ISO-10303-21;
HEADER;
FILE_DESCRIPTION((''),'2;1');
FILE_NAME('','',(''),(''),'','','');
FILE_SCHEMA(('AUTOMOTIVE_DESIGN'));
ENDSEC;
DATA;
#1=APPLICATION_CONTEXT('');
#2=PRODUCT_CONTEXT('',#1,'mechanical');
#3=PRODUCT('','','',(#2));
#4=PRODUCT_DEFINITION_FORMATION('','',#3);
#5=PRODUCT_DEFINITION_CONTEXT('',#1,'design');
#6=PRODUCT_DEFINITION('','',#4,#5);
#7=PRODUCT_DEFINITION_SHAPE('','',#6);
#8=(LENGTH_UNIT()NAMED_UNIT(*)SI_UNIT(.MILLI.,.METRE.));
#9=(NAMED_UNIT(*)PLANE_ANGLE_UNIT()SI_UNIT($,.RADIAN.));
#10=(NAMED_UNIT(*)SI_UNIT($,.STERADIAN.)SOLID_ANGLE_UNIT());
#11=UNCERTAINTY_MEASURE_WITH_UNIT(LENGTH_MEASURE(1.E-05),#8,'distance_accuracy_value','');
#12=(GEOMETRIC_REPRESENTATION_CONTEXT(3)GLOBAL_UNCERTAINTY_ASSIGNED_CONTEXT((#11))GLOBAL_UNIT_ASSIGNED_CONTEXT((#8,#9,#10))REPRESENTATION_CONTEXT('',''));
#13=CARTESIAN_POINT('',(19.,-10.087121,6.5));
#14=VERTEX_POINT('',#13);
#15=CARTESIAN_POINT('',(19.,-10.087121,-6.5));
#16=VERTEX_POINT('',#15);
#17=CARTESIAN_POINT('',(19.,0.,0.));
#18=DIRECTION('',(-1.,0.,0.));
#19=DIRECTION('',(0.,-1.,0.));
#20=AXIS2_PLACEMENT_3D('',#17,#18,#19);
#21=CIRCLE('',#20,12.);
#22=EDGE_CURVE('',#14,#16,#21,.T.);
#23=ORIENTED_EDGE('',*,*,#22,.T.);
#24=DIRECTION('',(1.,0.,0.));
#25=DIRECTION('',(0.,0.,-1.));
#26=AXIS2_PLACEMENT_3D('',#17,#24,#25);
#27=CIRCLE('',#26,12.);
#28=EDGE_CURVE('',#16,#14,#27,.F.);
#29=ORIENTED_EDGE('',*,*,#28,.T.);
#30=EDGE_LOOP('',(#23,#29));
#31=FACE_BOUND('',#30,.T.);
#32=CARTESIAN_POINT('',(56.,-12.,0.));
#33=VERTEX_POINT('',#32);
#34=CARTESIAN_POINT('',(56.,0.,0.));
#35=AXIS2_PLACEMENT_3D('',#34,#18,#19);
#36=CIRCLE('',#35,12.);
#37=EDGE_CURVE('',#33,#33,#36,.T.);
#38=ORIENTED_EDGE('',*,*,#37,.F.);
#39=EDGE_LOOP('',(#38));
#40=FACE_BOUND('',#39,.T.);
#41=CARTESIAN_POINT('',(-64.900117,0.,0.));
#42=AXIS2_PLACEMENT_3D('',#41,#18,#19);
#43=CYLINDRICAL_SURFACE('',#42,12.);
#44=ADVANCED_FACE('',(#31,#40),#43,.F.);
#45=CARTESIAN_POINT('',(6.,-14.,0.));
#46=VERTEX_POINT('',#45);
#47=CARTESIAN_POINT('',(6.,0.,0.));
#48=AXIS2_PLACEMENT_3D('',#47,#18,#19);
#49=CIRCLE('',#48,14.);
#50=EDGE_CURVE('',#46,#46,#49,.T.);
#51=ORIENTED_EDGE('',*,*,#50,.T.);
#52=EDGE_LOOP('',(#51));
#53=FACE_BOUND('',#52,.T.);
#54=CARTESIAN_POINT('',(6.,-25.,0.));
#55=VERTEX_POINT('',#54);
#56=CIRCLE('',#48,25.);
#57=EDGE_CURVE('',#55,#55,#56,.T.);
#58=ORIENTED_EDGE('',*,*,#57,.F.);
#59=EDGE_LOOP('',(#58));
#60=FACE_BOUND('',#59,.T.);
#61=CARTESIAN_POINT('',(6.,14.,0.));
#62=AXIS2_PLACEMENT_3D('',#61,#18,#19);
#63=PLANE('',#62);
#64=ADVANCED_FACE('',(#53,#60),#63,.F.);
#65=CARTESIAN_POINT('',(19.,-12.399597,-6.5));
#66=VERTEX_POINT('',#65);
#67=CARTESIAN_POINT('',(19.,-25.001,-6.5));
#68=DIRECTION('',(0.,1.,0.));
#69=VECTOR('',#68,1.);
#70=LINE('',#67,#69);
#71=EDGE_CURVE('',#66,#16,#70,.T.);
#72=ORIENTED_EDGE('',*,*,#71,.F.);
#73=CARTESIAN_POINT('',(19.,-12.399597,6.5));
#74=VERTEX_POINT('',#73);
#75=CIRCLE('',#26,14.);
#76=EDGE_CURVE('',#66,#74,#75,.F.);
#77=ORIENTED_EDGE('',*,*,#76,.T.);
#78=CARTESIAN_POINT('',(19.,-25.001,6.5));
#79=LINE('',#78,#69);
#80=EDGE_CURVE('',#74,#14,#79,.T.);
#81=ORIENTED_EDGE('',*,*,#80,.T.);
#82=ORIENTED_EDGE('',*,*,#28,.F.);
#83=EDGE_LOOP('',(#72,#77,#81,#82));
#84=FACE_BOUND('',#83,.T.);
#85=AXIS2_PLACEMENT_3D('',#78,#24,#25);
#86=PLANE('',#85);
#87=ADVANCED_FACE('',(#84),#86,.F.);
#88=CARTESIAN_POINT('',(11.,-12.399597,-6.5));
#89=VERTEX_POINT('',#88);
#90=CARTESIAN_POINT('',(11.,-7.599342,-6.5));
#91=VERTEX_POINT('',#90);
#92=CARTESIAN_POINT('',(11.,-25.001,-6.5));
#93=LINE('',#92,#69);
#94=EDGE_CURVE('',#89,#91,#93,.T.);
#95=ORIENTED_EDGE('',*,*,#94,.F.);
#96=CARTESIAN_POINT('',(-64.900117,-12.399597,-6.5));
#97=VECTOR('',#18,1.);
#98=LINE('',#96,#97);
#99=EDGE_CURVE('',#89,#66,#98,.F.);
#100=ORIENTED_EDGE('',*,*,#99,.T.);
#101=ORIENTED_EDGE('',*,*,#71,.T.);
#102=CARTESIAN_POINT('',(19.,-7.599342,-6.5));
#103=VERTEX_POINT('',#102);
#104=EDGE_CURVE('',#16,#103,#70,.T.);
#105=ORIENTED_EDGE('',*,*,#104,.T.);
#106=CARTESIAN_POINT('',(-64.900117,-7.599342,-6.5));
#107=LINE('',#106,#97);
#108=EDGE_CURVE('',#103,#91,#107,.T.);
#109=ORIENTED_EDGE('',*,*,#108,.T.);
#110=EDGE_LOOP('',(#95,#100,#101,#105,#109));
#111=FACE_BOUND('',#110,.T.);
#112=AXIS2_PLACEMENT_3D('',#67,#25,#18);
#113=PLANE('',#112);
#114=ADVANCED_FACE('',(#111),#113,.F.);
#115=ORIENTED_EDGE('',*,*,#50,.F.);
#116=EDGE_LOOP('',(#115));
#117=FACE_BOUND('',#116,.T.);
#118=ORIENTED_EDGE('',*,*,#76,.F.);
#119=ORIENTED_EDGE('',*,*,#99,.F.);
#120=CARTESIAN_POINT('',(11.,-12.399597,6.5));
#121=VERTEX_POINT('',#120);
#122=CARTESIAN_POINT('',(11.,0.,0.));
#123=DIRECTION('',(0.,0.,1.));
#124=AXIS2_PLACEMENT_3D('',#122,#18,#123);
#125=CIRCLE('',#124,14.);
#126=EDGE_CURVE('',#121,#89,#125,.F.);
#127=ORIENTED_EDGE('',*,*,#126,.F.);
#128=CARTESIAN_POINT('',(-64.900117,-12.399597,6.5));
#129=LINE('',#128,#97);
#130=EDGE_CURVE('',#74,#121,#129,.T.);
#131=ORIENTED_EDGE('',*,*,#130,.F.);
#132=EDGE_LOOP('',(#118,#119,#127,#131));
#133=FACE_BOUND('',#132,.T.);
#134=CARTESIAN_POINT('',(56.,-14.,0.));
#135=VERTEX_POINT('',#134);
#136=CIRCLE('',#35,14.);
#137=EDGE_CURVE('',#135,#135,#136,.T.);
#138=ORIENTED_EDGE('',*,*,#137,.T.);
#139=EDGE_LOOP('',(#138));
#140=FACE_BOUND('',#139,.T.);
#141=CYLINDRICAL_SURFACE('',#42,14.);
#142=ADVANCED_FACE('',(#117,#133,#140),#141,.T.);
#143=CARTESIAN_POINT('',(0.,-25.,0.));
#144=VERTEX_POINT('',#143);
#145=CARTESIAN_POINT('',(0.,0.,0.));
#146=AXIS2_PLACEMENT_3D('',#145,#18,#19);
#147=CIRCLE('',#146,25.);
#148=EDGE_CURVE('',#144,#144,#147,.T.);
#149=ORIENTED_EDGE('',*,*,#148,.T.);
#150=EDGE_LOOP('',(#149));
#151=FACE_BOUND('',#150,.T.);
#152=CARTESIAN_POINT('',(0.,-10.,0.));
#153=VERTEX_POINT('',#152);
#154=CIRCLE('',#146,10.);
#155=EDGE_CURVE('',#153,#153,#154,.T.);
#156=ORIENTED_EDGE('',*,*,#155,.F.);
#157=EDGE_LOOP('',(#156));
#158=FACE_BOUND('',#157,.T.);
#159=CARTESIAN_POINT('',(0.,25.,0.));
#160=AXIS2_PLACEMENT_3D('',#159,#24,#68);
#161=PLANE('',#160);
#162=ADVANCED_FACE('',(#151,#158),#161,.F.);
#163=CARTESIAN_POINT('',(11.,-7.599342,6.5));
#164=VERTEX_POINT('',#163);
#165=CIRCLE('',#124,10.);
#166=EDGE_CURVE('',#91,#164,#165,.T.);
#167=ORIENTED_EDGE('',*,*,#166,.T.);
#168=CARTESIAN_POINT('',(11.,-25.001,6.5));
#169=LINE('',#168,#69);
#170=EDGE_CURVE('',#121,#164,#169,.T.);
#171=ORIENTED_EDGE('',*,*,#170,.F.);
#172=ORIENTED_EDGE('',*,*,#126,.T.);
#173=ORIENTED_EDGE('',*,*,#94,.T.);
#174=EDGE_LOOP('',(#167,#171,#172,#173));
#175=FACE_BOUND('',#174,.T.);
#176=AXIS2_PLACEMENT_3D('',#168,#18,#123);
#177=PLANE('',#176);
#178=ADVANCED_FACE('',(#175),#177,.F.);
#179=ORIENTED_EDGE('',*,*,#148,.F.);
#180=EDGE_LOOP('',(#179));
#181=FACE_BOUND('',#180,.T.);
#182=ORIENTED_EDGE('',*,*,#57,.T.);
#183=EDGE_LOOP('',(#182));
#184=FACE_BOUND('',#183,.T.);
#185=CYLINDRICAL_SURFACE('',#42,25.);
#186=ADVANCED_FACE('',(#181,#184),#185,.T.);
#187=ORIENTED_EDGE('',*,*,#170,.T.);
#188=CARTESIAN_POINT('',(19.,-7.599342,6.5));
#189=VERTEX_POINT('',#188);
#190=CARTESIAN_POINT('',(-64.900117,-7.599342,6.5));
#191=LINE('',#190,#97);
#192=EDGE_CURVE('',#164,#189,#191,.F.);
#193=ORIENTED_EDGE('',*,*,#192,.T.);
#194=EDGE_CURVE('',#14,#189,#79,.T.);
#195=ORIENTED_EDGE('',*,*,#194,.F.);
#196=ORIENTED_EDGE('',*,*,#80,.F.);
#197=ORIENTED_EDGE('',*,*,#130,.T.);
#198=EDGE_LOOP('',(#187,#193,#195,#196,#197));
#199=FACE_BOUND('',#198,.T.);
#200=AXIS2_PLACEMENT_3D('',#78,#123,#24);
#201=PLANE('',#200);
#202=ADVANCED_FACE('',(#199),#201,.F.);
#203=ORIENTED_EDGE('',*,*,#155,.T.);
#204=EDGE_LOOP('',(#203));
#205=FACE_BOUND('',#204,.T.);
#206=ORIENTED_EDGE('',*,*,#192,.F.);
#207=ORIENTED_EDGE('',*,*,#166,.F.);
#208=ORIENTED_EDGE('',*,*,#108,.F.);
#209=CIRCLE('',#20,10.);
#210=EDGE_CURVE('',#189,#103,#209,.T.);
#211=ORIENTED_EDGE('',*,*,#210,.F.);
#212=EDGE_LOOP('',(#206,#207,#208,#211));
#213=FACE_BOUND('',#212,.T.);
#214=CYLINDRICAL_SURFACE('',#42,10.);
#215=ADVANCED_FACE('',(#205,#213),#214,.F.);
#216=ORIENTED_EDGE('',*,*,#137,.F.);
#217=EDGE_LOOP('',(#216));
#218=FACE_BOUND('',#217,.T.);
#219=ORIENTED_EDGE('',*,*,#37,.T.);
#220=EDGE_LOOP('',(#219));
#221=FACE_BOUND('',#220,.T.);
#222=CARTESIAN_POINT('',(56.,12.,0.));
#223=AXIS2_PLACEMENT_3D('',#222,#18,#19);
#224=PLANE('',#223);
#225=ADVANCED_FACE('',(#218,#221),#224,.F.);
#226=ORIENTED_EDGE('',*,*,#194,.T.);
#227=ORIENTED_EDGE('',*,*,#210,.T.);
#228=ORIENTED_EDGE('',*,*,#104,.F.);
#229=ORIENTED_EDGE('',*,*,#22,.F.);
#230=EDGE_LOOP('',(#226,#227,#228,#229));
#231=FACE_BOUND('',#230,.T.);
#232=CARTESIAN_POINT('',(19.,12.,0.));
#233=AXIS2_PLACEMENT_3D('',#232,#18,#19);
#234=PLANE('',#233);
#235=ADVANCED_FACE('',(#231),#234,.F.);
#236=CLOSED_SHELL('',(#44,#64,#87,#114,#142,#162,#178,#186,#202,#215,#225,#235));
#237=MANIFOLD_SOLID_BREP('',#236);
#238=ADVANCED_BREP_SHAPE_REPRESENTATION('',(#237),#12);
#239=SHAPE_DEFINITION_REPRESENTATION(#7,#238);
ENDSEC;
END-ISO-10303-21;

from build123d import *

# Parameters (mm, degrees)
CUT_EXTRUDE1_REACH = 68.227
SKETCH4_W          = 8
SKETCH4_H          = 13


with BuildPart() as part:
    # Sketch1 → Revolve1 (revolve)
    with BuildSketch(Plane.XY, mode=Mode.PRIVATE) as revolve1_sk:
        Polygon((0, 25), (0, 10), (19, 10), (19, 12), (56, 12), (56, 14), (6, 14), (6, 25), align=None)
    revolve(revolve1_sk.sketch.rotate(Axis((-64.900117457, 0, 0), (1, 0, 0)), 180), axis=Axis((-64.900117457, 0, 0), (1, 0, 0)))

    # Sketch4 → Cut-Extrude1 (cut, up to next)
    with BuildSketch(Plane(origin=(0, 0, 0), x_dir=(1, 0, 0), z_dir=(0, 1, 0)), mode=Mode.PRIVATE) as cut_extrude1_sk1:
        with Locations((15, 0)):
            Rectangle(SKETCH4_W, SKETCH4_H)
    cut_extrude1_tool1 = extrude(cut_extrude1_sk1.sketch, amount=-CUT_EXTRUDE1_REACH, mode=Mode.PRIVATE) & part.part
    add(cut_extrude1_tool1.solids().sort_by_distance((15, 0, 0))[0], mode=Mode.SUBTRACT)


solid = part.part
